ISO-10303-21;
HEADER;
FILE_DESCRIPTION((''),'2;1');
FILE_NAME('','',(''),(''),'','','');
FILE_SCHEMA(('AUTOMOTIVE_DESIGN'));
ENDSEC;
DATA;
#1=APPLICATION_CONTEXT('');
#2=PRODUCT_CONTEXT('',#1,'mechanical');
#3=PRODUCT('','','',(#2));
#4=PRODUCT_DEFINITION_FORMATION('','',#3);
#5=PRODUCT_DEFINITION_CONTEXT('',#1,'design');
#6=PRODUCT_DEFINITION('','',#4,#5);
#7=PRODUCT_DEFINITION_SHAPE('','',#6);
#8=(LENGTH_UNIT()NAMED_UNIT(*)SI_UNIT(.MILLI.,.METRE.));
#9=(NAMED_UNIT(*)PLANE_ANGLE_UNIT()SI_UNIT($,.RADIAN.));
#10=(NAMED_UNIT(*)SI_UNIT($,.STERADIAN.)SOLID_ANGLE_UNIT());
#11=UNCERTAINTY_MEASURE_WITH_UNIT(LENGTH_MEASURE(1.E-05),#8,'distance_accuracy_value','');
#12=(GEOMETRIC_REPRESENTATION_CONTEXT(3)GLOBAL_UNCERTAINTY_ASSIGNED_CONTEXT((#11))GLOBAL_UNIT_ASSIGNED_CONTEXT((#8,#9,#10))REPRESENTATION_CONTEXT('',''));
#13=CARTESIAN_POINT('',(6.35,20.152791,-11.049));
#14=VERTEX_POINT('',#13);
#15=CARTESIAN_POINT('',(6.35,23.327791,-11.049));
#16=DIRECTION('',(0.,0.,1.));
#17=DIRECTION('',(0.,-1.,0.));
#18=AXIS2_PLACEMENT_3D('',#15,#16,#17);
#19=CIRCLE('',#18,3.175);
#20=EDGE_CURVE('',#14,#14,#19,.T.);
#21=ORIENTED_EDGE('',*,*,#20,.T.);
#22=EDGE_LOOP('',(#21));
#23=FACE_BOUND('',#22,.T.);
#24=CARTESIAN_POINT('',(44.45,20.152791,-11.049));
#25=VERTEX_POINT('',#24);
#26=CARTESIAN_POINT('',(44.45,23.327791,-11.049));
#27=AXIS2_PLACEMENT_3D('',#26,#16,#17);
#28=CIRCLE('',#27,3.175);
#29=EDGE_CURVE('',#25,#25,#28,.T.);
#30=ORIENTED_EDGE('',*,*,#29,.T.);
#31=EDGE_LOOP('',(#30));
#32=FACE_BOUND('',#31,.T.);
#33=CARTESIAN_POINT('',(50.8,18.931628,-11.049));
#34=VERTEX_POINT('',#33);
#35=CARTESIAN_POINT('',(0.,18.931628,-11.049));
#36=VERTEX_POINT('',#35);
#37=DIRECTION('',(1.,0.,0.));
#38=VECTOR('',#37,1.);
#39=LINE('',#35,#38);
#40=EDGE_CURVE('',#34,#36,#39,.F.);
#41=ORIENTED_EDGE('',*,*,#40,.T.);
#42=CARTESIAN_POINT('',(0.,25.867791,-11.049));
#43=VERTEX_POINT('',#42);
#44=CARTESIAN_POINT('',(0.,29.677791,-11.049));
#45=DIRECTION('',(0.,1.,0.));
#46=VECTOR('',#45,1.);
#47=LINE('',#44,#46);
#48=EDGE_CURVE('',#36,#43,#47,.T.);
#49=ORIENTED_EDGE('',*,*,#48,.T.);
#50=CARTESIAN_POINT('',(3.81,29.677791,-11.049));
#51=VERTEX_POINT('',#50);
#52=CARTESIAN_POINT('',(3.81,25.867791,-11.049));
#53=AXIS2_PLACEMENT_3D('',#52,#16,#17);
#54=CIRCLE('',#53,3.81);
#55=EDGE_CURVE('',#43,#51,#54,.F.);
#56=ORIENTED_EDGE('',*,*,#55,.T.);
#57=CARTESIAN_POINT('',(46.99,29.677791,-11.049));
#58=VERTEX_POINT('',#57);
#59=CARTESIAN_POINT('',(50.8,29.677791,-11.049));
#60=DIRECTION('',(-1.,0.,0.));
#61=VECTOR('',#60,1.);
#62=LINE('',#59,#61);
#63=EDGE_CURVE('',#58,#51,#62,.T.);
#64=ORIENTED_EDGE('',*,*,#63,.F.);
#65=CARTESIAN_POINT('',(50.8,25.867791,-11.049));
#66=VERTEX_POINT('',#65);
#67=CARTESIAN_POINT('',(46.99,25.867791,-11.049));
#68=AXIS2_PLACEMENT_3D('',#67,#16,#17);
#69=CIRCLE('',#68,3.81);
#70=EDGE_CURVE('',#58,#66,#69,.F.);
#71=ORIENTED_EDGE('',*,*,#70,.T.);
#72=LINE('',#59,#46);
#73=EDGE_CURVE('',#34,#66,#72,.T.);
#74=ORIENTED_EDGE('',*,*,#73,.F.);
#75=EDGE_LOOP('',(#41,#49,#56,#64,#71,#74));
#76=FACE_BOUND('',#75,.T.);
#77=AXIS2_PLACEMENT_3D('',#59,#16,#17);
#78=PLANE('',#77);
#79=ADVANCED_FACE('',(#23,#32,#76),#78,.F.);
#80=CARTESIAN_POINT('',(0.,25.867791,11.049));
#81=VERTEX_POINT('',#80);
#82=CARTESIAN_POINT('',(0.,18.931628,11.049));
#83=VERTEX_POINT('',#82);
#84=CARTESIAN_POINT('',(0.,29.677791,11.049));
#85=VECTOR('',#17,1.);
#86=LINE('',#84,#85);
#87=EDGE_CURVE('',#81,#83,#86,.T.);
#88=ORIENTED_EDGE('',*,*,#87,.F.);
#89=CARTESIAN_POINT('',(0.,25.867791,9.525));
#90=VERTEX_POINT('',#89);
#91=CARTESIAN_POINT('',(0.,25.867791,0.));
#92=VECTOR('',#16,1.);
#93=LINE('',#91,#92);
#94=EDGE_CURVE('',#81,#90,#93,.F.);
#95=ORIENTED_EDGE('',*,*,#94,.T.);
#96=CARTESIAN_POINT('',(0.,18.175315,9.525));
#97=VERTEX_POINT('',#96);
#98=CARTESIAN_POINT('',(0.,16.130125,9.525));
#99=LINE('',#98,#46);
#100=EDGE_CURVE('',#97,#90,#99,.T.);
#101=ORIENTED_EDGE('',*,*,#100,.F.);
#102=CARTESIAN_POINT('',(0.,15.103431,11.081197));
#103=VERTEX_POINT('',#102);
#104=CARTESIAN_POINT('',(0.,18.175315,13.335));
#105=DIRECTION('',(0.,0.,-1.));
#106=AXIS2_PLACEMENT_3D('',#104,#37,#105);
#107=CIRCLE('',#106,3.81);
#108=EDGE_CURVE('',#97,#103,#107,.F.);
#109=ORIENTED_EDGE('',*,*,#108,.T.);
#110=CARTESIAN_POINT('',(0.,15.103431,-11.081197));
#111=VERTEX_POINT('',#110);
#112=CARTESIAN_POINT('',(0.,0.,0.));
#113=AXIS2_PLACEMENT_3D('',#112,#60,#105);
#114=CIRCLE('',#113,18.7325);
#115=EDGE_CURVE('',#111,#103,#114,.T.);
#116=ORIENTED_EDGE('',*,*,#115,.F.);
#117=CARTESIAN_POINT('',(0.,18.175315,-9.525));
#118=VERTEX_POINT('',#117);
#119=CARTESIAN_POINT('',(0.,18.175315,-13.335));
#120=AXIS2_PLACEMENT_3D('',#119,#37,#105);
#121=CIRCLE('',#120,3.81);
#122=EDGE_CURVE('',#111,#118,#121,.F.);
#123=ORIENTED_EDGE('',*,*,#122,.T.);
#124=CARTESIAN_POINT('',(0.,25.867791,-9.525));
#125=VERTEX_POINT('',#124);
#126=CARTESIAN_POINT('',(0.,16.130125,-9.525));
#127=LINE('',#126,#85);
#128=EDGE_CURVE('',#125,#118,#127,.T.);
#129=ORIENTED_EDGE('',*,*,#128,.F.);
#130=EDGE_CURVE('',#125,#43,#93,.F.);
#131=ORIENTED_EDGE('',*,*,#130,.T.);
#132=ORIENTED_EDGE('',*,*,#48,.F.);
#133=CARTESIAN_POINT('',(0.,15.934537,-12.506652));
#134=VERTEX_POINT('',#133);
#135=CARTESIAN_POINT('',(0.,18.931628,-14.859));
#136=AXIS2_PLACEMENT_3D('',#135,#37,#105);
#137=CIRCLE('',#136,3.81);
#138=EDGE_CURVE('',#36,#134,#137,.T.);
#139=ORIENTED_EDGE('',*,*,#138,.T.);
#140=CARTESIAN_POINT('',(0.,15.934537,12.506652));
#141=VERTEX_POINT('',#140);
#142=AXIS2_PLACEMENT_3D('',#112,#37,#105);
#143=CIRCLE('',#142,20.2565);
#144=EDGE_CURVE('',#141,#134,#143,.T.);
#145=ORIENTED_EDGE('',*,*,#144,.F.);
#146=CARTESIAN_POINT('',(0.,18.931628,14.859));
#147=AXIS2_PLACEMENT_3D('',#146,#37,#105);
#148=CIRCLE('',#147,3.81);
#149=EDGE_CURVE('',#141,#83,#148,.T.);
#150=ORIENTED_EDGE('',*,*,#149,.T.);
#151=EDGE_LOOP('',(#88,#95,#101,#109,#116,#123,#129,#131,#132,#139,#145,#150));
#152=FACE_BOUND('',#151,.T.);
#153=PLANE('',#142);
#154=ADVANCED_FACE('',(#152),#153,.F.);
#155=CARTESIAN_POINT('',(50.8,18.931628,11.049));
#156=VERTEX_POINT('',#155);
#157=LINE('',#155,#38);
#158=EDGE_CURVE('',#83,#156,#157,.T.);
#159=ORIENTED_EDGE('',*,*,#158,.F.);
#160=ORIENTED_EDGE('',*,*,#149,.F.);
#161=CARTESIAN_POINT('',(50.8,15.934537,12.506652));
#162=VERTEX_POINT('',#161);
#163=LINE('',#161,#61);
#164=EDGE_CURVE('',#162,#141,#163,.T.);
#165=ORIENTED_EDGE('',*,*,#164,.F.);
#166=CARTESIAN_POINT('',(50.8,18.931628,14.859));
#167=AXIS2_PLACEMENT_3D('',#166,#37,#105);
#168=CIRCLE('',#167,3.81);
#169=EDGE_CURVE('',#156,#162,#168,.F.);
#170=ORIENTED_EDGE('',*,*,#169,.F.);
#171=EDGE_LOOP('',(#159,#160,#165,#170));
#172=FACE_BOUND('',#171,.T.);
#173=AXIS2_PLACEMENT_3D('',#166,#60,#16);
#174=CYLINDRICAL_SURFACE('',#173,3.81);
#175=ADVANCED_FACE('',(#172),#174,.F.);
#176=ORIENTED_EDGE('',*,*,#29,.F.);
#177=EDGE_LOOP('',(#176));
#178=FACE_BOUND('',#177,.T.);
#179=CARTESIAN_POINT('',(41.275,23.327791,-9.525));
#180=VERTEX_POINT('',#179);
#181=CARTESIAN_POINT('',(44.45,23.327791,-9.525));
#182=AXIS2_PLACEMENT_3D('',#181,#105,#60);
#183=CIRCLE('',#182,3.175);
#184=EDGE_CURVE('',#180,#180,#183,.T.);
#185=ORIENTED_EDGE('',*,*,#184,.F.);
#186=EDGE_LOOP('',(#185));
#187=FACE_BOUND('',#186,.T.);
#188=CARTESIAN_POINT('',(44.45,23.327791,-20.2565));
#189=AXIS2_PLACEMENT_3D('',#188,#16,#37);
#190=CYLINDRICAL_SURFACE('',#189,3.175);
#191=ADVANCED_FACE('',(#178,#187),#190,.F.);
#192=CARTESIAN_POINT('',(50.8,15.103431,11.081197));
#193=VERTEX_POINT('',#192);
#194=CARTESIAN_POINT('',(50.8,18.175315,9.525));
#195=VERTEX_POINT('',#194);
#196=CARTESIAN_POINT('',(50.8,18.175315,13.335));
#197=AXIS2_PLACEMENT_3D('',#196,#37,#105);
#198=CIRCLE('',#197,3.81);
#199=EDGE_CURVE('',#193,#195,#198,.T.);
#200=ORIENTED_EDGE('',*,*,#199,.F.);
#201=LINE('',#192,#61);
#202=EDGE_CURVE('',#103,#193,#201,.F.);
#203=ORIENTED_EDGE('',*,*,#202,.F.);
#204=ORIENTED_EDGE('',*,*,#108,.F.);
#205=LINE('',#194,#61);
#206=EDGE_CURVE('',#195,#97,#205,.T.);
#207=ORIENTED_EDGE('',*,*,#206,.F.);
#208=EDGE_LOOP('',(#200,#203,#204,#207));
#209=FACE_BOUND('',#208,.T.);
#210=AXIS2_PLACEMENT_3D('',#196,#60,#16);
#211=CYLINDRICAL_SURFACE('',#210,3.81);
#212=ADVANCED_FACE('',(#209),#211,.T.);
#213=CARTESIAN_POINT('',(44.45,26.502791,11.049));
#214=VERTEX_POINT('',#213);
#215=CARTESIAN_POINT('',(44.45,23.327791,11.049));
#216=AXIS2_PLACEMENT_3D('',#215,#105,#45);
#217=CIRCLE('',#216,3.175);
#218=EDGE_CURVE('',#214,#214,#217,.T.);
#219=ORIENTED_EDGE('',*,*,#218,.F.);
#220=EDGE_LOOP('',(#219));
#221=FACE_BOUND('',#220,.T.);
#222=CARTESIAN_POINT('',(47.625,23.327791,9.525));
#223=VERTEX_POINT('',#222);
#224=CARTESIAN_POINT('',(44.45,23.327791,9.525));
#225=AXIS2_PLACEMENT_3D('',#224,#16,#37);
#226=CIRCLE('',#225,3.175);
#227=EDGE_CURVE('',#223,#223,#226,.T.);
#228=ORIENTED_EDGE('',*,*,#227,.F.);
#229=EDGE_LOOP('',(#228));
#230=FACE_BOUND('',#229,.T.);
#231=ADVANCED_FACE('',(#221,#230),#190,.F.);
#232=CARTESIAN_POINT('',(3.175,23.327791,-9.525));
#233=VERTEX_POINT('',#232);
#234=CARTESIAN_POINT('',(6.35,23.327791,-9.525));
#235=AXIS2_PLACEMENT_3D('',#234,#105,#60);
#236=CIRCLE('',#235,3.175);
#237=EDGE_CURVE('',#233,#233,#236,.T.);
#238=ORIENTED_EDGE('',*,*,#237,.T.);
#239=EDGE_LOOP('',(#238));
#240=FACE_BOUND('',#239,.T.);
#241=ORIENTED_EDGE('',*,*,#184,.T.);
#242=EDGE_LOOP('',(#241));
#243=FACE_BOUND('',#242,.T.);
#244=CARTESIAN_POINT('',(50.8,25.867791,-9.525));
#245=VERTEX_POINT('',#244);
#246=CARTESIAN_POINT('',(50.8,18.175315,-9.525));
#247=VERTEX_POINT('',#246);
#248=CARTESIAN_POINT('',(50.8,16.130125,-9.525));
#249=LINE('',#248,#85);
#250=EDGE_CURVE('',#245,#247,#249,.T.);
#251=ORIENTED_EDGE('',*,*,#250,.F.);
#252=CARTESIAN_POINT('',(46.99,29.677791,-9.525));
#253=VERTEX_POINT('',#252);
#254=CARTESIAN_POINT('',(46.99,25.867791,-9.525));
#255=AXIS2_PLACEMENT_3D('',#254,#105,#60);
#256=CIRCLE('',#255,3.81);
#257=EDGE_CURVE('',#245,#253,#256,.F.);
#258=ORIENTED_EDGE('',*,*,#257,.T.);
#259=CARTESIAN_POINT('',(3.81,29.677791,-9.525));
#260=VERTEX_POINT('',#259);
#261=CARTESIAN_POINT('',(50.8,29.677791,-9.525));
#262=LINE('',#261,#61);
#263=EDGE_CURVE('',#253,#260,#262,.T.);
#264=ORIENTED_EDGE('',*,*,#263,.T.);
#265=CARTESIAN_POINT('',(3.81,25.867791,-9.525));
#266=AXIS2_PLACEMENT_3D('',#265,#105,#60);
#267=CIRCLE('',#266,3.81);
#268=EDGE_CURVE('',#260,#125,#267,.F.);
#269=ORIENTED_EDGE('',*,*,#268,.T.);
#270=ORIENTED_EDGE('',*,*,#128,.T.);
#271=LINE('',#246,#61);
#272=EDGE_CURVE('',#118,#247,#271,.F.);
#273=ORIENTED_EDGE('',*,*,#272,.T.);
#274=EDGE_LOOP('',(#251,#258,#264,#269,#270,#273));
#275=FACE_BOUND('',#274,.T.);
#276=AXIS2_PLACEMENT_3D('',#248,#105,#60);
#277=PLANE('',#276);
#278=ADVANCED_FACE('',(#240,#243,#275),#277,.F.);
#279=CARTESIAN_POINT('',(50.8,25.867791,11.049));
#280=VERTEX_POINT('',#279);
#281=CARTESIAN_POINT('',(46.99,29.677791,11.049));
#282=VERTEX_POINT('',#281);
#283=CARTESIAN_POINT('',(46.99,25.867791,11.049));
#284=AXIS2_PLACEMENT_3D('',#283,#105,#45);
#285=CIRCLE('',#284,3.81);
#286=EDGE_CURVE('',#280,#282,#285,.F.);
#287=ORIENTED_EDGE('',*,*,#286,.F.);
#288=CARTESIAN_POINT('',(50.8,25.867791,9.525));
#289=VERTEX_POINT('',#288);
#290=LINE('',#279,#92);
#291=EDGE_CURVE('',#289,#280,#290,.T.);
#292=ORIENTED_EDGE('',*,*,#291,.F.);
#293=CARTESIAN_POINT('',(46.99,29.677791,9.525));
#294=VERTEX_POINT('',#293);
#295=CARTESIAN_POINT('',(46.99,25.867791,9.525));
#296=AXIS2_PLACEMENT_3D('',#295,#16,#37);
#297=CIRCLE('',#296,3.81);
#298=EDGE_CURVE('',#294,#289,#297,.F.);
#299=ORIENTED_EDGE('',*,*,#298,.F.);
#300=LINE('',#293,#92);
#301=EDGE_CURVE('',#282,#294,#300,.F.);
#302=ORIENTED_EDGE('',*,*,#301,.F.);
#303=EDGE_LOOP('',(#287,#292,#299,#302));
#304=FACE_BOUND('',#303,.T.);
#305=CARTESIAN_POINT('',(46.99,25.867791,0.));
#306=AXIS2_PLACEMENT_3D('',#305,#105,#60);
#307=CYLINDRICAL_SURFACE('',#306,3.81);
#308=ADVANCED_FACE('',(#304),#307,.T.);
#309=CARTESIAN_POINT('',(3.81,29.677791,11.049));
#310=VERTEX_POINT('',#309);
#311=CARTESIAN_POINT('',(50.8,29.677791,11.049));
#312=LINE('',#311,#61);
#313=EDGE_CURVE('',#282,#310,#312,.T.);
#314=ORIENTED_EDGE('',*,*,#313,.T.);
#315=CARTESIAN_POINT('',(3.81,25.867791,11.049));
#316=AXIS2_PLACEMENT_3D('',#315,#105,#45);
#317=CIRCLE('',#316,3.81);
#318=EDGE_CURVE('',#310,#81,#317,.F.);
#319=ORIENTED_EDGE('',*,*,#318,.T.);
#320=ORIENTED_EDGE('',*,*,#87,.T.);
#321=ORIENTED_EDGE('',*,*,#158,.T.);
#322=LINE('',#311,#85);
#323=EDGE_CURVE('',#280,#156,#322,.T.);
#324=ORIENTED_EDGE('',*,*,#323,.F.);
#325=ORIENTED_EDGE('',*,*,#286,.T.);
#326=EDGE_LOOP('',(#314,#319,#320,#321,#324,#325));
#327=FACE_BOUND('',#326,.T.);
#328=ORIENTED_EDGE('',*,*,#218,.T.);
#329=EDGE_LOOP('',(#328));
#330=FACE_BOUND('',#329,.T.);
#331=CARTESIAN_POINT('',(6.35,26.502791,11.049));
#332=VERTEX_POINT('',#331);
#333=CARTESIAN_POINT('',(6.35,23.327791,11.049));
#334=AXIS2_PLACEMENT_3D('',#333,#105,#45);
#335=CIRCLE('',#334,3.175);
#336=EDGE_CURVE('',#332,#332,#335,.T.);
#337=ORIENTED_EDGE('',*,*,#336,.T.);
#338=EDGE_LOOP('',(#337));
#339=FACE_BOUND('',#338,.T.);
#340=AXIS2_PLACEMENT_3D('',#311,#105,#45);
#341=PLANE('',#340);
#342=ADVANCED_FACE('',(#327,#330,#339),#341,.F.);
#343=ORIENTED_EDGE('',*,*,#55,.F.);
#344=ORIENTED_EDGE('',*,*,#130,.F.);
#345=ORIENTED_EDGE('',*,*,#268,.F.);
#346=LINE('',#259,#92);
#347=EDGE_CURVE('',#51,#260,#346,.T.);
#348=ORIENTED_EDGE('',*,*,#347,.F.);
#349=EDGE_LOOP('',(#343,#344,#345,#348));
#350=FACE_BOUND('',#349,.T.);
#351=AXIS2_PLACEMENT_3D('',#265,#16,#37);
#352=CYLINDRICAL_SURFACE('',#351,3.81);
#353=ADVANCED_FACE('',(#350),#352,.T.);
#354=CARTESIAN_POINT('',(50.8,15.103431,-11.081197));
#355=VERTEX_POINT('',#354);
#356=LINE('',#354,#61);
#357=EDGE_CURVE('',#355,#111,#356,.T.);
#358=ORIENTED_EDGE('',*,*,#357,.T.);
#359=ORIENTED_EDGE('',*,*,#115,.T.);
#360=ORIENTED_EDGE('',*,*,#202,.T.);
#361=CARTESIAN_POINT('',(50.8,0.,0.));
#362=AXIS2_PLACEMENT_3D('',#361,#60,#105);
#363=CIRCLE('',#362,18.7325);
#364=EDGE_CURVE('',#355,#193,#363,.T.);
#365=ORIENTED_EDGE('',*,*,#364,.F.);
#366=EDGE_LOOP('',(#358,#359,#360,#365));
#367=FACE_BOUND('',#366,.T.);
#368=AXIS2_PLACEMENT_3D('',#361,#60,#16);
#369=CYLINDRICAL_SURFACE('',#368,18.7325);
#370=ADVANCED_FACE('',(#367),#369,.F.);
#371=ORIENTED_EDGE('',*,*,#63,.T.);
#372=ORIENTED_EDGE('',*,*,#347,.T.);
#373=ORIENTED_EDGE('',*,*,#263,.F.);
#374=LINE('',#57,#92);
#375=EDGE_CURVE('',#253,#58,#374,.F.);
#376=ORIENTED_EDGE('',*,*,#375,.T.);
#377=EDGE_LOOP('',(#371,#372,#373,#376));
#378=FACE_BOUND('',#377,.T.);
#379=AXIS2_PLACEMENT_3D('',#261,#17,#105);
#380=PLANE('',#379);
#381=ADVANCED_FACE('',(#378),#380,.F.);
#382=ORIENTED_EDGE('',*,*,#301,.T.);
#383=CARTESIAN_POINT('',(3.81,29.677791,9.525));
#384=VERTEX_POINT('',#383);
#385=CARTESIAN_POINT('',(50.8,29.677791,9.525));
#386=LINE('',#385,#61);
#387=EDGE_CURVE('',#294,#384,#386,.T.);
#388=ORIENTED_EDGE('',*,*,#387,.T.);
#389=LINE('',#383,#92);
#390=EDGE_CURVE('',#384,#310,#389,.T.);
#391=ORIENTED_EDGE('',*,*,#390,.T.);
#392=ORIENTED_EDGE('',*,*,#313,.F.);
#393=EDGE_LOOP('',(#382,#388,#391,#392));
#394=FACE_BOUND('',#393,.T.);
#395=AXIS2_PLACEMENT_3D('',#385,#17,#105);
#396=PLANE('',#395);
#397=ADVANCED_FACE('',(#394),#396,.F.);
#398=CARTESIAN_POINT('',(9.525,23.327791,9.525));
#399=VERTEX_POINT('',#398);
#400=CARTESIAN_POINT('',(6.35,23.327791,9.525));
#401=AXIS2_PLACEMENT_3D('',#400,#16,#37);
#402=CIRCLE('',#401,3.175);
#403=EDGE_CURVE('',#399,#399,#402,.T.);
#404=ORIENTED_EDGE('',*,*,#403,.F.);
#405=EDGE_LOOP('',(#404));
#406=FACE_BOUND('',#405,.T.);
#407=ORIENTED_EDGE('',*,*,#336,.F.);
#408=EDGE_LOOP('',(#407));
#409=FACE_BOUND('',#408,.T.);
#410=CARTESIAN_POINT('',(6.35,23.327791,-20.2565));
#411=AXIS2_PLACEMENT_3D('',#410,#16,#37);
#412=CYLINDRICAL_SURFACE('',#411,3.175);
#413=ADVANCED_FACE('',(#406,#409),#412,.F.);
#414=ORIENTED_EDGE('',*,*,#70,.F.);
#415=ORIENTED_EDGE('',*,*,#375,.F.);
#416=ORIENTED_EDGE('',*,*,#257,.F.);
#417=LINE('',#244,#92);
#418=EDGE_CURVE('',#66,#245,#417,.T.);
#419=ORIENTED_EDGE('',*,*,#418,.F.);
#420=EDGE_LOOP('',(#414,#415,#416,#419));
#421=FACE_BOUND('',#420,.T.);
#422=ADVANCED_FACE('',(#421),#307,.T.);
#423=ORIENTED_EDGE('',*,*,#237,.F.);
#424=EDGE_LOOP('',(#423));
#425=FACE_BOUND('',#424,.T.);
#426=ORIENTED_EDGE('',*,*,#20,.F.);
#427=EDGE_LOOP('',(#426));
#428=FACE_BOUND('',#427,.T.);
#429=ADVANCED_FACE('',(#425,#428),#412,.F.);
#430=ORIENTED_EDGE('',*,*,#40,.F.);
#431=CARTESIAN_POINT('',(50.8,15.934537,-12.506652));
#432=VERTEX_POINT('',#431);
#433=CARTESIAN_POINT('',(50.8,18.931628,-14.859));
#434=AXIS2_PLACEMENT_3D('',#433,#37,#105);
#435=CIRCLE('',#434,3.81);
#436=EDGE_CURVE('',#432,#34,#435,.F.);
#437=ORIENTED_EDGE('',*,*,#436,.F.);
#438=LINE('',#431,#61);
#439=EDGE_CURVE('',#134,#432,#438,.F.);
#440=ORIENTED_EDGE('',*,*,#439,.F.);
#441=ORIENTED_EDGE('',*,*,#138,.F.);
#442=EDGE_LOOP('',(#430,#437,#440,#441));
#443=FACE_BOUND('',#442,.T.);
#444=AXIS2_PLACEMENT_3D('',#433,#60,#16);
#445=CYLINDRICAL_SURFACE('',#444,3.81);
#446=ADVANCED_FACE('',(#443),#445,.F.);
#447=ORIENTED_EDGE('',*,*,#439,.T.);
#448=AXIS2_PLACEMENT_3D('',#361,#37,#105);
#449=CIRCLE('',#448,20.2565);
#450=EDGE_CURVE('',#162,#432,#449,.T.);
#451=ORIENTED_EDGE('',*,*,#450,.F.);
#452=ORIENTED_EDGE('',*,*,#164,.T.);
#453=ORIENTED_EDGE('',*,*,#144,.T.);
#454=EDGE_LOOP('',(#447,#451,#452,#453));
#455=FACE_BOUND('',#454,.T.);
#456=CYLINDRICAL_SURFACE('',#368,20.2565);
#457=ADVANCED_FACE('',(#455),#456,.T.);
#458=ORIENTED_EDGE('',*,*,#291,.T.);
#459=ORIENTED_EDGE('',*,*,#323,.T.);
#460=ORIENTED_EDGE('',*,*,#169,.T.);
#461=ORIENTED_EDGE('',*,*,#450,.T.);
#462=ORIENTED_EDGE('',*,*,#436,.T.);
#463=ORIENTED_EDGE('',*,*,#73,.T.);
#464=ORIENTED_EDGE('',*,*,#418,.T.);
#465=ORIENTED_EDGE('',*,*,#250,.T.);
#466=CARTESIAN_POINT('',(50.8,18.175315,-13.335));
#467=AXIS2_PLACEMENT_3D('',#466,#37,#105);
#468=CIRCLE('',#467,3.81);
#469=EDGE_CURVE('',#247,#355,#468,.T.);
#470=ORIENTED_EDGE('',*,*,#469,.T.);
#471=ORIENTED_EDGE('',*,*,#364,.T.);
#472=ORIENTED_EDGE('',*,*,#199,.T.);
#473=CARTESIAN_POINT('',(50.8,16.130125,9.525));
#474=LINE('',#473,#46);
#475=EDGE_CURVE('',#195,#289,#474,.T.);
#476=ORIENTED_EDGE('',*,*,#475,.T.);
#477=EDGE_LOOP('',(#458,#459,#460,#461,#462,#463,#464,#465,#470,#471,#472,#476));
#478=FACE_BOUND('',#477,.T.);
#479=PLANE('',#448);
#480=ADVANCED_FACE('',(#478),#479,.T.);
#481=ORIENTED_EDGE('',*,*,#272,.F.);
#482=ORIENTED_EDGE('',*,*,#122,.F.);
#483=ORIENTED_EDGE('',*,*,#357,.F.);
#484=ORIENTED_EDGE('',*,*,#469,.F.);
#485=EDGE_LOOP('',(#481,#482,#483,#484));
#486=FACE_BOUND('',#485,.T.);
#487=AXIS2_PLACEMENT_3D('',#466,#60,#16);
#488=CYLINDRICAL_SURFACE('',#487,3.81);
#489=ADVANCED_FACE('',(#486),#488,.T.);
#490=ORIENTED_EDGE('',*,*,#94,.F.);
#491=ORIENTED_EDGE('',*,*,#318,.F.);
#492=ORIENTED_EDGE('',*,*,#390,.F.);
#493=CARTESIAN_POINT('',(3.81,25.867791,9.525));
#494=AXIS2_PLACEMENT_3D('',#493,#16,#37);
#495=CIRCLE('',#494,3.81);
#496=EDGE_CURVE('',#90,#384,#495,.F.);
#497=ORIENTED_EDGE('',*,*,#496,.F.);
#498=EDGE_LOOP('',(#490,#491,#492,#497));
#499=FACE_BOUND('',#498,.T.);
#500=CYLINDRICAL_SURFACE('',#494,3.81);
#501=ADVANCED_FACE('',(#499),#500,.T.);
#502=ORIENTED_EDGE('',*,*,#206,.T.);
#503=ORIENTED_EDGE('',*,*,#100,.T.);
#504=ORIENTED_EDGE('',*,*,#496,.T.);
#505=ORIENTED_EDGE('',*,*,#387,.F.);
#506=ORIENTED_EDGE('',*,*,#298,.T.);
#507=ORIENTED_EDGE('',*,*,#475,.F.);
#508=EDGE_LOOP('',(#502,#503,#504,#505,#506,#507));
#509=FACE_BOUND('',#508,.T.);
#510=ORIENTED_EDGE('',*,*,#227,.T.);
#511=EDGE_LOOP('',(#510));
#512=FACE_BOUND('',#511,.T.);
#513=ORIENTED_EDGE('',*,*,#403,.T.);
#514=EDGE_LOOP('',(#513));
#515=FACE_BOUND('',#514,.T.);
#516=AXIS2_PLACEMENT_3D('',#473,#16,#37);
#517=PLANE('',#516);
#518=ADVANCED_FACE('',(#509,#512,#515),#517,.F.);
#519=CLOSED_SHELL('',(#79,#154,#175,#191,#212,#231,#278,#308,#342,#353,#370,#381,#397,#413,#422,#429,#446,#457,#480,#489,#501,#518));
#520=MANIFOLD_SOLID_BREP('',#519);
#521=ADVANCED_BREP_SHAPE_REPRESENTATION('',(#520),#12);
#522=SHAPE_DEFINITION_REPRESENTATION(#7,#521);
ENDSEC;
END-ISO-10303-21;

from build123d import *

# Parameters (mm, degrees)
BOSS_EXTRUDE1_DEPTH     = 50.8
CUT_EXTRUDE1_DEPTH      = 63.223284049
CUT_EXTRUDE1_DEPTH_BACK = 63.223284049
SKETCH2_R               = 3.175
FILLET1_R               = 3.81


with BuildPart() as part:
    # Sketch1 → Boss-Extrude1 (new body)
    with BuildSketch(Plane(origin=(0, 0, 0), x_dir=(0, 0, -1), z_dir=(1, 0, 0))):
        with BuildLine():
            Line((9.525, 16.130124961), (9.525, 29.677791118))
            Line((9.525, 29.677791118), (11.049, 29.677791118))
            Line((11.049, 29.677791118), (11.049, 16.977791118))
            ThreePointArc((11.049, 16.977791118), (0, -20.2565), (-11.049, 16.977791118))
            Line((-11.049, 16.977791118), (-11.049, 29.677791118))
            Line((-11.049, 29.677791118), (-9.525, 29.677791118))
            Line((-9.525, 29.677791118), (-9.525, 16.130124961))
            ThreePointArc((-9.525, 16.130124961), (0, -18.7325), (9.525, 16.130124961))
        make_face()
    extrude(amount=BOSS_EXTRUDE1_DEPTH)

    # Sketch2 → Cut-Extrude1 (cut, two sides: drawn at the far end of the back side and taken through both)
    with BuildSketch(Plane.XY.offset(-CUT_EXTRUDE1_DEPTH_BACK)):
        with Locations(Location((6.35, 23.327791118, 0), (0, 0, 270))):
            Circle(SKETCH2_R)
        with Locations(Location((44.45, 23.327791118, 0), (0, 0, 270))):
            Circle(SKETCH2_R)
    extrude(amount=CUT_EXTRUDE1_DEPTH + CUT_EXTRUDE1_DEPTH_BACK, mode=Mode.SUBTRACT)

    # Fillet1
    fillet1_edges = [part.edges().sort_by_distance(p)[0] for p in [
        (0, 29.677791118, 10.287),
        (50.8, 29.677791118, 10.287),
        (25.4, 16.130124961, -9.525),
        (25.4, 16.977791118, -11.049),
        (25.4, 16.977791118, 11.049),
        (25.4, 16.130124961, 9.525),
        (50.8, 29.677791118, -10.287),
        (0, 29.677791118, -10.287),
    ]]
    fillet(fillet1_edges, radius=FILLET1_R)


solid = part.part
